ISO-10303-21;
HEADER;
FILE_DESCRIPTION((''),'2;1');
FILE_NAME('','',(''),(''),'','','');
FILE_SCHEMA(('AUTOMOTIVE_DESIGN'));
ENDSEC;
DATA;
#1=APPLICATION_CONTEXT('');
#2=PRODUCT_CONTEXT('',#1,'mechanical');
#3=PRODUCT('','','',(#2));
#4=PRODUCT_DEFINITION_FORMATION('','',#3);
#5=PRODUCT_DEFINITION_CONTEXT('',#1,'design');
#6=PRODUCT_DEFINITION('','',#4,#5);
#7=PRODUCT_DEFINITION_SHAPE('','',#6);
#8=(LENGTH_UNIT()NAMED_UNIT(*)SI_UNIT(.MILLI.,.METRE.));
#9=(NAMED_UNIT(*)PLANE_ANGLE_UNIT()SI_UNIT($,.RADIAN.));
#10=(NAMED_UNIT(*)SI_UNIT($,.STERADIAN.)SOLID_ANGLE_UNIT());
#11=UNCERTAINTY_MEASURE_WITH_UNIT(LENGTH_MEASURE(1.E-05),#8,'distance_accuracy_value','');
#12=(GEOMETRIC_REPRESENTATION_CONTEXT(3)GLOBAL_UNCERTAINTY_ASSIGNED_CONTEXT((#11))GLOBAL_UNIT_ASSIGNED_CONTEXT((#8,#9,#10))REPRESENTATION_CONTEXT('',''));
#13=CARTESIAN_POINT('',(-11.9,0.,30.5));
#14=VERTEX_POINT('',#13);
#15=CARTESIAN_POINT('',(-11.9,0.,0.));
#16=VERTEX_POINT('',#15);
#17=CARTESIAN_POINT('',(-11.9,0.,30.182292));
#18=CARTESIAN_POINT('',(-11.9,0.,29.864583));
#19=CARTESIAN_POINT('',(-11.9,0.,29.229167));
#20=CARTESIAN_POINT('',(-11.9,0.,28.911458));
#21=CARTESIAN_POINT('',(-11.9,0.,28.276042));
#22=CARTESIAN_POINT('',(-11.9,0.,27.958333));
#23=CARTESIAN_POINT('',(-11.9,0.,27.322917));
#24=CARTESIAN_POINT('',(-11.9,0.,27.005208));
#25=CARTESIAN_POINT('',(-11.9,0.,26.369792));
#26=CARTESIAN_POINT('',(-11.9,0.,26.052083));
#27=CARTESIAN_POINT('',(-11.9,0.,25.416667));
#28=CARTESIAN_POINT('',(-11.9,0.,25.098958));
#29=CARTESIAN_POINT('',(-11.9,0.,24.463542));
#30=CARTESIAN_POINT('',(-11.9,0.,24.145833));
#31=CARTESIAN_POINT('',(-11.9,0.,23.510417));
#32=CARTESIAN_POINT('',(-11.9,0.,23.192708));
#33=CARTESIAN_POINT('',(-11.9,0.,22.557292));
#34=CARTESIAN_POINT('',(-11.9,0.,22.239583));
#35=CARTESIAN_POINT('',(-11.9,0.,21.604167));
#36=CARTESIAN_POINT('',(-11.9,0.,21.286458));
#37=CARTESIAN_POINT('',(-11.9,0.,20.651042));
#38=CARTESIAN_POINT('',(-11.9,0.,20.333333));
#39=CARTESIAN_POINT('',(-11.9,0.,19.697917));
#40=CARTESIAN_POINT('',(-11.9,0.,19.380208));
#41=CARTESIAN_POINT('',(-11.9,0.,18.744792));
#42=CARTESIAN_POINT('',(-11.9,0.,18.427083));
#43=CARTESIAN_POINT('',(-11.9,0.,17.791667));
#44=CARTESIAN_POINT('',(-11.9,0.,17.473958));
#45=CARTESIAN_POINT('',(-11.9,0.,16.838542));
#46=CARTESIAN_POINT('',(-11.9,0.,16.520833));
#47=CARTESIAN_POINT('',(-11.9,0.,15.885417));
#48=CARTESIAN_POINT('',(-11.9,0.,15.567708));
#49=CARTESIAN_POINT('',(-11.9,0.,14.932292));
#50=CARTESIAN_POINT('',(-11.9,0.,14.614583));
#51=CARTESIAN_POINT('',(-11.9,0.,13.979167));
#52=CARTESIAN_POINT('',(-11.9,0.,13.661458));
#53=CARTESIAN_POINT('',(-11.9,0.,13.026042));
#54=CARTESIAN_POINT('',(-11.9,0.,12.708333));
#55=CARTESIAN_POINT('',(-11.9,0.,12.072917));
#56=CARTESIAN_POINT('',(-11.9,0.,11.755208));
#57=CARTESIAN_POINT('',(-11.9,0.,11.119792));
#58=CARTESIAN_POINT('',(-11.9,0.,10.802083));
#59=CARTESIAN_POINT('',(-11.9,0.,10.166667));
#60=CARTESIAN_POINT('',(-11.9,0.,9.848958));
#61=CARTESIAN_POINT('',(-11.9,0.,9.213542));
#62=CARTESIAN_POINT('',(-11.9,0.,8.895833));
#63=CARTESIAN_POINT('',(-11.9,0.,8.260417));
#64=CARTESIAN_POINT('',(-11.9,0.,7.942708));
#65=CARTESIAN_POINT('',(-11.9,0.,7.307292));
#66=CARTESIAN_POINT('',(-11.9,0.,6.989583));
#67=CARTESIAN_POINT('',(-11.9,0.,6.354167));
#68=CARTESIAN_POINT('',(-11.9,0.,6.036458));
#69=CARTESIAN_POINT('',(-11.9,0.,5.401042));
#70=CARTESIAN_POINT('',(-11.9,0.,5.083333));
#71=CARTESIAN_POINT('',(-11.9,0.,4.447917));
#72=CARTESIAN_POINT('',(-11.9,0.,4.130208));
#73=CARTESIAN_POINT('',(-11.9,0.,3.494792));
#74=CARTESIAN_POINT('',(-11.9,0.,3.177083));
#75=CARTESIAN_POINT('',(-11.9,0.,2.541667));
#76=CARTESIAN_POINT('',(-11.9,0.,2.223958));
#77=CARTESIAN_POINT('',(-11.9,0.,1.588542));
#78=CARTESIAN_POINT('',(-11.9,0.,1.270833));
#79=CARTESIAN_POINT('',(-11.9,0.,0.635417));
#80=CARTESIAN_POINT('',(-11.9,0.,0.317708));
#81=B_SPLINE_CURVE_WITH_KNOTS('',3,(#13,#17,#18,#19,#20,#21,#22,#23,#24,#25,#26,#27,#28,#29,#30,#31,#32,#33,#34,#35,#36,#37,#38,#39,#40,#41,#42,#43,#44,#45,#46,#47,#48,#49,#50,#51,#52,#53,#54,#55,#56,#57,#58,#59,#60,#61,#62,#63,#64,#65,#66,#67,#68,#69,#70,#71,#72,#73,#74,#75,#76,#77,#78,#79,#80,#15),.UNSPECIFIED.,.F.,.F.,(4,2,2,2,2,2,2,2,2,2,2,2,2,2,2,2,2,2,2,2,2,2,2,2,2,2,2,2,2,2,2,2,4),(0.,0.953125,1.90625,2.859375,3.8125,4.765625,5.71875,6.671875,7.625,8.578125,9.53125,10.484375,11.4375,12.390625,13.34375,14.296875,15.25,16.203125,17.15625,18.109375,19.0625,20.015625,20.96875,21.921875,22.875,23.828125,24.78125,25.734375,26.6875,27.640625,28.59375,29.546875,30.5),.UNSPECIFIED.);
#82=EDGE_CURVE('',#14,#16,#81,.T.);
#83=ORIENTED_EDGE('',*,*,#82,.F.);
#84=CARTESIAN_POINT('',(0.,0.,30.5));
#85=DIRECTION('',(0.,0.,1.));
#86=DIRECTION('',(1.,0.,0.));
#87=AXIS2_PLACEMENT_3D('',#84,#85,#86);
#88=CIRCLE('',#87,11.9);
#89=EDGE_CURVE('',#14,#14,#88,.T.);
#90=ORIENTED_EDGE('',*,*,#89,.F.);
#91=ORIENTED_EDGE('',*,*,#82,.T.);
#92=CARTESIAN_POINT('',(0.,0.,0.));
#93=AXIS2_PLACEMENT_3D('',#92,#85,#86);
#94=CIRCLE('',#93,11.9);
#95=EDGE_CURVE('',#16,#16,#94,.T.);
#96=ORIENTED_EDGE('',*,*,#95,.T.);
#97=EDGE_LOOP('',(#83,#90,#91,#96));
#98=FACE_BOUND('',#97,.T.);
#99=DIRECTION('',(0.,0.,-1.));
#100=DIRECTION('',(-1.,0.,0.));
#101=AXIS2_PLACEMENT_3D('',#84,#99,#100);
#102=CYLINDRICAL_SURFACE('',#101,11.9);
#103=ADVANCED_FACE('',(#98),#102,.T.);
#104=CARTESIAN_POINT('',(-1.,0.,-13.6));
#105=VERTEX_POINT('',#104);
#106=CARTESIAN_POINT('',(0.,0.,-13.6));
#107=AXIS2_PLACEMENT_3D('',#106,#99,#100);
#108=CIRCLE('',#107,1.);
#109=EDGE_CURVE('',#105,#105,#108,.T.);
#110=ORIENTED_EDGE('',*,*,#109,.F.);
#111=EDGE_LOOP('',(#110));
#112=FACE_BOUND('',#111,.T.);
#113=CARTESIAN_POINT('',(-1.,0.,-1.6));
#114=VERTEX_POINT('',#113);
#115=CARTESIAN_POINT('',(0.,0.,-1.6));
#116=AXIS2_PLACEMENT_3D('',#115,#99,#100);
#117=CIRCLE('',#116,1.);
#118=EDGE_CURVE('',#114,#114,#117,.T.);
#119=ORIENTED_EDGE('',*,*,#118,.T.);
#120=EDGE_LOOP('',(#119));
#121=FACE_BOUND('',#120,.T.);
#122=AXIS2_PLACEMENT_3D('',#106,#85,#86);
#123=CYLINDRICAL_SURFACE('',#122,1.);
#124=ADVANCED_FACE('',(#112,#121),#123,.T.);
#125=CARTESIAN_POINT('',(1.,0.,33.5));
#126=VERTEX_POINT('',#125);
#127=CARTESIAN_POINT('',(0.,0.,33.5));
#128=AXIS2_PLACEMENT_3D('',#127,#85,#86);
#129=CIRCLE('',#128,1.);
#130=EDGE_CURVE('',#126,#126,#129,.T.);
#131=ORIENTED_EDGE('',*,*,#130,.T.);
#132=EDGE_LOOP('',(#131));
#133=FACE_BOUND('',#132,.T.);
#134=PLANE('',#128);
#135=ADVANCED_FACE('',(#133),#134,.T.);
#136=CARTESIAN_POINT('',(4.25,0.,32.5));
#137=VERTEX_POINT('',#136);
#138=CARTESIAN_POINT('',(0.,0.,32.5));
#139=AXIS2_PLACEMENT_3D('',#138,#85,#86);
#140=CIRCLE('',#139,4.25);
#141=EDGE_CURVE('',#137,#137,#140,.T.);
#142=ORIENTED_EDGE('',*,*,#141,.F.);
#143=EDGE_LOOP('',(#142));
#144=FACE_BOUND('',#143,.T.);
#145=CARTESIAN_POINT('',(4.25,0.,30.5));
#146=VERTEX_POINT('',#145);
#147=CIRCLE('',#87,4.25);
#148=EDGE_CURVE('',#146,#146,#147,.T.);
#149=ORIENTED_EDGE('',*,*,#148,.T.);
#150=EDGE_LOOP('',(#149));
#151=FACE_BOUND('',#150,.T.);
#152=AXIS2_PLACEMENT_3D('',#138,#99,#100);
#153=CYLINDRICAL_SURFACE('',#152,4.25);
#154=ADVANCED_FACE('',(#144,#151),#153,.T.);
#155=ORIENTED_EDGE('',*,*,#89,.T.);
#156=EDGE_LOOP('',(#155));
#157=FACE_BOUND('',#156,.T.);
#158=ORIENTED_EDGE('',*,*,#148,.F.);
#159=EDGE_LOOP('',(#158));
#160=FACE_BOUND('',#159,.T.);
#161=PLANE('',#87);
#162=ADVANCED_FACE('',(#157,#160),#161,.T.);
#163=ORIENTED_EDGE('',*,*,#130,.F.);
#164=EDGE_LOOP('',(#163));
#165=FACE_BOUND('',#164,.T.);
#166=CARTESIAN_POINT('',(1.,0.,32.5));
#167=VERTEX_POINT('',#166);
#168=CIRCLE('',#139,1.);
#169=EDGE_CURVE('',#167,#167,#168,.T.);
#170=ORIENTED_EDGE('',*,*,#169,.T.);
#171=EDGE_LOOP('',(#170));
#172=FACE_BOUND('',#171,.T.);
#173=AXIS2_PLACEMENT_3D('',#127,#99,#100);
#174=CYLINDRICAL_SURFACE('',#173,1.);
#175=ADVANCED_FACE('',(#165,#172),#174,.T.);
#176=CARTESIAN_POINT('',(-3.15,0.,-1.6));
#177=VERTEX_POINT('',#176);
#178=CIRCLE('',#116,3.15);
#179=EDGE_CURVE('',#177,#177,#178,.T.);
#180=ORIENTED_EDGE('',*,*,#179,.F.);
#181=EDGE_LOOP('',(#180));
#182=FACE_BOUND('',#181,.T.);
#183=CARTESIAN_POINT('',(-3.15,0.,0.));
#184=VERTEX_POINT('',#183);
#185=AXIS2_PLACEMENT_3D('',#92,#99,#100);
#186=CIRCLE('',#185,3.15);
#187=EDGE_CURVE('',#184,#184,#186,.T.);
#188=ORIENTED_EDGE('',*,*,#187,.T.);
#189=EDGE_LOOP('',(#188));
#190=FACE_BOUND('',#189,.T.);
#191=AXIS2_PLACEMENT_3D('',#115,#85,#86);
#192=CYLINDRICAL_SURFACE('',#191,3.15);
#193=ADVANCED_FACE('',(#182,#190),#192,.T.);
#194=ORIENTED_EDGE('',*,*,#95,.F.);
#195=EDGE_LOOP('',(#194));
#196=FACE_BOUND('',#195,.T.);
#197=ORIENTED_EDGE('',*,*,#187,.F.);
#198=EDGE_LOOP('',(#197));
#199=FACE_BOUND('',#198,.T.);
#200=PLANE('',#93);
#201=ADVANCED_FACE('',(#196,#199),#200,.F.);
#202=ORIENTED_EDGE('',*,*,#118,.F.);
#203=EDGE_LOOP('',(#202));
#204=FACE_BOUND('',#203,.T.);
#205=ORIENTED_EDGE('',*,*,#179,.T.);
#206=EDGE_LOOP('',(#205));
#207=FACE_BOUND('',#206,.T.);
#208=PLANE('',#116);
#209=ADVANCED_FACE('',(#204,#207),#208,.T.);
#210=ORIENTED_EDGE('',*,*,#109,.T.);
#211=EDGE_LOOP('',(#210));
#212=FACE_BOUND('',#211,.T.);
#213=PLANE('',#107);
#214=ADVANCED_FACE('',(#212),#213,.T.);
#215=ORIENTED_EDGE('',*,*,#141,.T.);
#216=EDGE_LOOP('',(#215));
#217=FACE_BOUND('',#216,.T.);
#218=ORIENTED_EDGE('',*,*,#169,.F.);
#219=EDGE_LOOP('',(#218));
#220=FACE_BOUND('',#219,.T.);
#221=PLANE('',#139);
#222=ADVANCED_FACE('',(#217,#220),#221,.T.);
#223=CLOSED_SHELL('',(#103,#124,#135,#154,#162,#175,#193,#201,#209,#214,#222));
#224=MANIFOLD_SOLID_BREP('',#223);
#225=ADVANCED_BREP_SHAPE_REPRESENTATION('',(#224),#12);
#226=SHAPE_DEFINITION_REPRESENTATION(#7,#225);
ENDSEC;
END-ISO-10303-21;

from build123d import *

# Parameters (mm, degrees)
SKETCH2_R           = 11.9
BOSS_EXTRUDE1_DEPTH = 30.5
SKETCH3_R           = 4.25
BOSS_EXTRUDE2_DEPTH = 2
SKETCH4_R           = 3.15
BOSS_EXTRUDE3_DEPTH = 1.6
SKETCH5_R           = 1
BOSS_EXTRUDE4_DEPTH = 12
BOSS_EXTRUDE5_START = 1
SKETCH6_R           = 1
BOSS_EXTRUDE5_DEPTH = 1


with BuildPart() as part:
    # Sketch2 → Boss-Extrude1 (new body)
    with BuildSketch(Plane.XY):
        with Locations(Location((0, 0, 0), (0, 0, 180))):
            Circle(SKETCH2_R)
    extrude(amount=BOSS_EXTRUDE1_DEPTH)

    # Sketch3 → Boss-Extrude2 (add)
    with BuildSketch(Plane.XY.offset(30.5)):
        Circle(SKETCH3_R)
    extrude(amount=BOSS_EXTRUDE2_DEPTH)

    # Sketch4 → Boss-Extrude3 (add)
    with BuildSketch(Plane(origin=(0, 0, 0), x_dir=(-1, 0, 0), z_dir=(0, 0, -1))):
        Circle(SKETCH4_R)
    extrude(amount=BOSS_EXTRUDE3_DEPTH)

    # Sketch5 → Boss-Extrude4 (add)
    with BuildSketch(Plane(origin=(0, 0, -1.6), x_dir=(-1, 0, 0), z_dir=(0, 0, -1))):
        Circle(SKETCH5_R)
    extrude(amount=BOSS_EXTRUDE4_DEPTH)

    # Sketch6 → Boss-Extrude5 (add)
    with BuildSketch(Plane.XY.offset(32.5).offset(BOSS_EXTRUDE5_START)):
        with Locations(Location((0, 0, 0), (0, 0, 180))):
            Circle(SKETCH6_R)
    extrude(amount=-BOSS_EXTRUDE5_DEPTH)


solid = part.part
